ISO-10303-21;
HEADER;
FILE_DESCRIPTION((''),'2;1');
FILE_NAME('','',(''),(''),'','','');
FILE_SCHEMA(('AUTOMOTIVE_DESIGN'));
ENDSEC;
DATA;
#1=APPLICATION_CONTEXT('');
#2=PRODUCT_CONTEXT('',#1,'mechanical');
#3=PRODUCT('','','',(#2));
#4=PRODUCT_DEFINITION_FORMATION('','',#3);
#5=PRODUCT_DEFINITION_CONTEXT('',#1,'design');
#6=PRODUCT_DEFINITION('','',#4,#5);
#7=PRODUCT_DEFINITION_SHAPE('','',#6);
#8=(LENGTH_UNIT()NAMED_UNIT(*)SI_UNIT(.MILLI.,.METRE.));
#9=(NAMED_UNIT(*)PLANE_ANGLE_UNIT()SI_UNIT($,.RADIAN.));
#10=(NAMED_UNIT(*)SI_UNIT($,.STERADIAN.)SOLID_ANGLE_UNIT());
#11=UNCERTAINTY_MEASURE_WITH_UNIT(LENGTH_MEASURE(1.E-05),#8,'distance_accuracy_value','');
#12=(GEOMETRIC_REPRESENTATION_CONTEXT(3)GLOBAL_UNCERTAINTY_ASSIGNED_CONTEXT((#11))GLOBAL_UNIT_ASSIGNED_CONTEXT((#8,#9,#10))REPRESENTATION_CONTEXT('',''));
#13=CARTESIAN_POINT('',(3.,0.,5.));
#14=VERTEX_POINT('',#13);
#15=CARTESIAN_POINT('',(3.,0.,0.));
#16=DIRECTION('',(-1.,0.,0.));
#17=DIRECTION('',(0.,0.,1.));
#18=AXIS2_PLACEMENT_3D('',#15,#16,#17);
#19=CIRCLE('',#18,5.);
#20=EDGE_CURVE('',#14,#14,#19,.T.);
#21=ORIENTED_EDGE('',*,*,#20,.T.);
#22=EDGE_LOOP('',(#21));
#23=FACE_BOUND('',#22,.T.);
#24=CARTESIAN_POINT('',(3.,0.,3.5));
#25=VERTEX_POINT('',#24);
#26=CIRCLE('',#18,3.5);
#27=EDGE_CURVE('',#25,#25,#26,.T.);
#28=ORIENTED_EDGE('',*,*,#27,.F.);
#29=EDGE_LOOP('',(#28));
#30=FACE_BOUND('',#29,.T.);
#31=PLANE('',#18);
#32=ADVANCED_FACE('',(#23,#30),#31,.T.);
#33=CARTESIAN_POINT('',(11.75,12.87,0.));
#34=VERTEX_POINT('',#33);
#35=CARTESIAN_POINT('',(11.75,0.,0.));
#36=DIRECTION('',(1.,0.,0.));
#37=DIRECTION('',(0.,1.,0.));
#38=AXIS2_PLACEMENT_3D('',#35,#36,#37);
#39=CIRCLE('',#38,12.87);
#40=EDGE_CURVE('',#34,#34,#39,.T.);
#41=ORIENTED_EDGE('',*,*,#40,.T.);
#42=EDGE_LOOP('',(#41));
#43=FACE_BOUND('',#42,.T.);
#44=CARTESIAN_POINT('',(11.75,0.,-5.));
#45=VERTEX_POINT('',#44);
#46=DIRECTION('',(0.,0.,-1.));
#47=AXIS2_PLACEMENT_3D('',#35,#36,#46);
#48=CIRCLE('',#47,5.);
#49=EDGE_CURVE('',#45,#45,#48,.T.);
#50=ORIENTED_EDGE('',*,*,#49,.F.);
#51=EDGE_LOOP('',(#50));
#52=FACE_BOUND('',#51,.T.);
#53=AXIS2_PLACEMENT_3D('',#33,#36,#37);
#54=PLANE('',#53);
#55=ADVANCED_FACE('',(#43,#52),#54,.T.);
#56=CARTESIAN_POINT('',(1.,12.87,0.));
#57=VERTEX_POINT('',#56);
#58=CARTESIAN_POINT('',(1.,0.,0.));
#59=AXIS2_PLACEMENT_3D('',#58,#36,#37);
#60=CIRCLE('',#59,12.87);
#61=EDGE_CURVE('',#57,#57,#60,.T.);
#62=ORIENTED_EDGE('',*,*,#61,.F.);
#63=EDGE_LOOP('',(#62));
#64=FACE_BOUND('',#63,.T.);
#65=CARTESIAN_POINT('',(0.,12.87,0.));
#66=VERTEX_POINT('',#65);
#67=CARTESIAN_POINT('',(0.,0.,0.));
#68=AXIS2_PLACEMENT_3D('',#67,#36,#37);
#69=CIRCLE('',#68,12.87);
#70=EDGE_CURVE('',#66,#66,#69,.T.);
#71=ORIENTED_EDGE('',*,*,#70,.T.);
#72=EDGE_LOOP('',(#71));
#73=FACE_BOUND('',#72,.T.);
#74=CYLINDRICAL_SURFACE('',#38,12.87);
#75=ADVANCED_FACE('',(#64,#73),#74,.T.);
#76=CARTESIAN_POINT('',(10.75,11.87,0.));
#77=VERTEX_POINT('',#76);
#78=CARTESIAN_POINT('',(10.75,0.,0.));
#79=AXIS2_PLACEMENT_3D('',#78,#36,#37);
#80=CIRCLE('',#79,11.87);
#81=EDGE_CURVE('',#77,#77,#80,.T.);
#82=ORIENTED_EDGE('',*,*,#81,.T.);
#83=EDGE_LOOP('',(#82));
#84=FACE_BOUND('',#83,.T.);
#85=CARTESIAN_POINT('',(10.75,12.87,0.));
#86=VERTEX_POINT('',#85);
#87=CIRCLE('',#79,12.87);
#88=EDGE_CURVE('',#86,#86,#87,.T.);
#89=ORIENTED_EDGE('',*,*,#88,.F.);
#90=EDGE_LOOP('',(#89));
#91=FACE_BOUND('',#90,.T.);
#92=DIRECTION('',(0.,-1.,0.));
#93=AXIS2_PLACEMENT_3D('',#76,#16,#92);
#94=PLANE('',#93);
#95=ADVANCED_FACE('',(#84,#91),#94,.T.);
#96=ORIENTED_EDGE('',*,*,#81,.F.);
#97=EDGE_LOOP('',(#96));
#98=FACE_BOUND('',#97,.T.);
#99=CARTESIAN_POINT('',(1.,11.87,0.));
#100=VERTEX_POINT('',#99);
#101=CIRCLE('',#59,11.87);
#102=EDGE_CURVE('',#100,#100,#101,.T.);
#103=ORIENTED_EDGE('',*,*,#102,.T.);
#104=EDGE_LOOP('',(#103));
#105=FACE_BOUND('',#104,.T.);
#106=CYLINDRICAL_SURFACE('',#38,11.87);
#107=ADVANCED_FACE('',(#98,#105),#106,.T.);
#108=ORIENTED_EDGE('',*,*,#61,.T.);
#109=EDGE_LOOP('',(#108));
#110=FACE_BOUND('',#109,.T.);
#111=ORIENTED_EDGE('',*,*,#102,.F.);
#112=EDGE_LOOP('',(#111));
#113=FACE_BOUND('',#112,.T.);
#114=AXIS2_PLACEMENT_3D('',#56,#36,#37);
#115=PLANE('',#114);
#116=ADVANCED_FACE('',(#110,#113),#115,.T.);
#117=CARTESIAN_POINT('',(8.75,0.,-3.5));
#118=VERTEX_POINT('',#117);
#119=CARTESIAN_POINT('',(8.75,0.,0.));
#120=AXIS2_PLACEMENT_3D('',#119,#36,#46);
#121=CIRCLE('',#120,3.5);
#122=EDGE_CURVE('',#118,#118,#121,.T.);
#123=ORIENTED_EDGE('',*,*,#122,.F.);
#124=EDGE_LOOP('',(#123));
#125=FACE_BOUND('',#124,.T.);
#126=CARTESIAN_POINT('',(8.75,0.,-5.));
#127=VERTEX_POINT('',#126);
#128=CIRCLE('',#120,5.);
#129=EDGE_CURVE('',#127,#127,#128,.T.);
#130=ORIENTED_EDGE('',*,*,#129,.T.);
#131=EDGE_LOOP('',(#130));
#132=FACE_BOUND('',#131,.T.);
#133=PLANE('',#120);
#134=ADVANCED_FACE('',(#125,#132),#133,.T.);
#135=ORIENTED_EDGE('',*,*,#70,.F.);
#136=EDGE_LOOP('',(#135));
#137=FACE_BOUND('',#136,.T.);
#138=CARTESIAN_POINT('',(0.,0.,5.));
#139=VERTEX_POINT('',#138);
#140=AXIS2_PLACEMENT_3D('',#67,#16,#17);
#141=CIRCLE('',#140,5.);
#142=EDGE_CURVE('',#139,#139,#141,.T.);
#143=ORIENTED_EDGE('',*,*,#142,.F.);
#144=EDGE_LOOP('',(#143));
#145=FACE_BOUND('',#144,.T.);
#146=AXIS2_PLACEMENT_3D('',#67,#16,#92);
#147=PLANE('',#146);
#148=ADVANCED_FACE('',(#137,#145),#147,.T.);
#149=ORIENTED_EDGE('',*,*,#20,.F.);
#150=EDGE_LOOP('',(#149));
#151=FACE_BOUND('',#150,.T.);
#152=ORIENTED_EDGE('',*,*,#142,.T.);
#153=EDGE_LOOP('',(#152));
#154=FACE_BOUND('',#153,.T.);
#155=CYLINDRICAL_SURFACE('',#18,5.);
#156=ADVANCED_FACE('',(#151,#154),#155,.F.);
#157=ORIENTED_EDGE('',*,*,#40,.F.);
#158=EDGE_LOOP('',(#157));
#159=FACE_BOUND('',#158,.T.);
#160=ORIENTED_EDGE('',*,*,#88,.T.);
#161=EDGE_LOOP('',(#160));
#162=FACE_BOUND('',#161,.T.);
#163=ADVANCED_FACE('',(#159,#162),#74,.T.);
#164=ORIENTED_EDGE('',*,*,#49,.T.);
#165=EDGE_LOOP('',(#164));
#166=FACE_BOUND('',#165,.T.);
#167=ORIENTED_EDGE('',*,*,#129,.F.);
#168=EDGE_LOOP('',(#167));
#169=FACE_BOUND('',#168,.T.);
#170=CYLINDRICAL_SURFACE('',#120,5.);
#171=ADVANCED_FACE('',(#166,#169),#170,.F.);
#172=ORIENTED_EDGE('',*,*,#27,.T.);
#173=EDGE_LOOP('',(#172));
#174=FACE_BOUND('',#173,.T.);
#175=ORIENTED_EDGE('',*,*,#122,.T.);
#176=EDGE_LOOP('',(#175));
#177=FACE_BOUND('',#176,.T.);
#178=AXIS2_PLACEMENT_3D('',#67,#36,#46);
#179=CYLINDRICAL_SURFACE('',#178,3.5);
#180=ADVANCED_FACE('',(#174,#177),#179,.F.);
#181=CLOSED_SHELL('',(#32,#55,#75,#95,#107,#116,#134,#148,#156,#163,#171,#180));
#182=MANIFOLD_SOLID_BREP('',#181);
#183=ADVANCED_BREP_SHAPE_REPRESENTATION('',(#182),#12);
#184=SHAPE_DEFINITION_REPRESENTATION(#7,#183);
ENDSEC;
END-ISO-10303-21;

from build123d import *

# Parameters (mm, degrees)
SKETCH3_R          = 5
CUT_EXTRUDE1_DEPTH = 3
CUT_EXTRUDE2_START = -3
SKETCH4_R          = 5
CUT_EXTRUDE2_DEPTH = 3
SKETCH5_R          = 3.5
CUT_EXTRUDE3_DEPTH = 21.194957291


with BuildPart() as part:
    # Sketch2 → Revolve1 (revolve)
    with BuildSketch(Plane.XY):
        Polygon((0, 0), (0, 12.87), (1, 12.87), (1, 11.87), (10.75, 11.87), (10.75, 12.87), (11.75, 12.87), (11.75, 0), align=None)
    revolve(axis=Axis((11.75, 0, 0), (-1, 0, 0)))

    # Sketch3 → Cut-Extrude1 (cut)
    with BuildSketch(Plane(origin=(11.75, 0, 0), x_dir=(0, 0, -1), z_dir=(1, 0, 0))):
        Circle(SKETCH3_R)
    extrude(amount=-CUT_EXTRUDE1_DEPTH, mode=Mode.SUBTRACT)

    # Sketch4 → Cut-Extrude2 (cut)
    with BuildSketch(Plane.ZY.offset(CUT_EXTRUDE2_START)):
        with Locations(Location((0, 0, 0), (0, 0, 180))):
            Circle(SKETCH4_R)
    extrude(amount=CUT_EXTRUDE2_DEPTH, mode=Mode.SUBTRACT)

    # Sketch5 → Cut-Extrude3 (cut, through all)
    with BuildSketch(Plane(origin=(8.75, 0, 0), x_dir=(0, 0, -1), z_dir=(1, 0, 0))):
        Circle(SKETCH5_R)
    extrude(amount=-CUT_EXTRUDE3_DEPTH, mode=Mode.SUBTRACT)


solid = part.part
